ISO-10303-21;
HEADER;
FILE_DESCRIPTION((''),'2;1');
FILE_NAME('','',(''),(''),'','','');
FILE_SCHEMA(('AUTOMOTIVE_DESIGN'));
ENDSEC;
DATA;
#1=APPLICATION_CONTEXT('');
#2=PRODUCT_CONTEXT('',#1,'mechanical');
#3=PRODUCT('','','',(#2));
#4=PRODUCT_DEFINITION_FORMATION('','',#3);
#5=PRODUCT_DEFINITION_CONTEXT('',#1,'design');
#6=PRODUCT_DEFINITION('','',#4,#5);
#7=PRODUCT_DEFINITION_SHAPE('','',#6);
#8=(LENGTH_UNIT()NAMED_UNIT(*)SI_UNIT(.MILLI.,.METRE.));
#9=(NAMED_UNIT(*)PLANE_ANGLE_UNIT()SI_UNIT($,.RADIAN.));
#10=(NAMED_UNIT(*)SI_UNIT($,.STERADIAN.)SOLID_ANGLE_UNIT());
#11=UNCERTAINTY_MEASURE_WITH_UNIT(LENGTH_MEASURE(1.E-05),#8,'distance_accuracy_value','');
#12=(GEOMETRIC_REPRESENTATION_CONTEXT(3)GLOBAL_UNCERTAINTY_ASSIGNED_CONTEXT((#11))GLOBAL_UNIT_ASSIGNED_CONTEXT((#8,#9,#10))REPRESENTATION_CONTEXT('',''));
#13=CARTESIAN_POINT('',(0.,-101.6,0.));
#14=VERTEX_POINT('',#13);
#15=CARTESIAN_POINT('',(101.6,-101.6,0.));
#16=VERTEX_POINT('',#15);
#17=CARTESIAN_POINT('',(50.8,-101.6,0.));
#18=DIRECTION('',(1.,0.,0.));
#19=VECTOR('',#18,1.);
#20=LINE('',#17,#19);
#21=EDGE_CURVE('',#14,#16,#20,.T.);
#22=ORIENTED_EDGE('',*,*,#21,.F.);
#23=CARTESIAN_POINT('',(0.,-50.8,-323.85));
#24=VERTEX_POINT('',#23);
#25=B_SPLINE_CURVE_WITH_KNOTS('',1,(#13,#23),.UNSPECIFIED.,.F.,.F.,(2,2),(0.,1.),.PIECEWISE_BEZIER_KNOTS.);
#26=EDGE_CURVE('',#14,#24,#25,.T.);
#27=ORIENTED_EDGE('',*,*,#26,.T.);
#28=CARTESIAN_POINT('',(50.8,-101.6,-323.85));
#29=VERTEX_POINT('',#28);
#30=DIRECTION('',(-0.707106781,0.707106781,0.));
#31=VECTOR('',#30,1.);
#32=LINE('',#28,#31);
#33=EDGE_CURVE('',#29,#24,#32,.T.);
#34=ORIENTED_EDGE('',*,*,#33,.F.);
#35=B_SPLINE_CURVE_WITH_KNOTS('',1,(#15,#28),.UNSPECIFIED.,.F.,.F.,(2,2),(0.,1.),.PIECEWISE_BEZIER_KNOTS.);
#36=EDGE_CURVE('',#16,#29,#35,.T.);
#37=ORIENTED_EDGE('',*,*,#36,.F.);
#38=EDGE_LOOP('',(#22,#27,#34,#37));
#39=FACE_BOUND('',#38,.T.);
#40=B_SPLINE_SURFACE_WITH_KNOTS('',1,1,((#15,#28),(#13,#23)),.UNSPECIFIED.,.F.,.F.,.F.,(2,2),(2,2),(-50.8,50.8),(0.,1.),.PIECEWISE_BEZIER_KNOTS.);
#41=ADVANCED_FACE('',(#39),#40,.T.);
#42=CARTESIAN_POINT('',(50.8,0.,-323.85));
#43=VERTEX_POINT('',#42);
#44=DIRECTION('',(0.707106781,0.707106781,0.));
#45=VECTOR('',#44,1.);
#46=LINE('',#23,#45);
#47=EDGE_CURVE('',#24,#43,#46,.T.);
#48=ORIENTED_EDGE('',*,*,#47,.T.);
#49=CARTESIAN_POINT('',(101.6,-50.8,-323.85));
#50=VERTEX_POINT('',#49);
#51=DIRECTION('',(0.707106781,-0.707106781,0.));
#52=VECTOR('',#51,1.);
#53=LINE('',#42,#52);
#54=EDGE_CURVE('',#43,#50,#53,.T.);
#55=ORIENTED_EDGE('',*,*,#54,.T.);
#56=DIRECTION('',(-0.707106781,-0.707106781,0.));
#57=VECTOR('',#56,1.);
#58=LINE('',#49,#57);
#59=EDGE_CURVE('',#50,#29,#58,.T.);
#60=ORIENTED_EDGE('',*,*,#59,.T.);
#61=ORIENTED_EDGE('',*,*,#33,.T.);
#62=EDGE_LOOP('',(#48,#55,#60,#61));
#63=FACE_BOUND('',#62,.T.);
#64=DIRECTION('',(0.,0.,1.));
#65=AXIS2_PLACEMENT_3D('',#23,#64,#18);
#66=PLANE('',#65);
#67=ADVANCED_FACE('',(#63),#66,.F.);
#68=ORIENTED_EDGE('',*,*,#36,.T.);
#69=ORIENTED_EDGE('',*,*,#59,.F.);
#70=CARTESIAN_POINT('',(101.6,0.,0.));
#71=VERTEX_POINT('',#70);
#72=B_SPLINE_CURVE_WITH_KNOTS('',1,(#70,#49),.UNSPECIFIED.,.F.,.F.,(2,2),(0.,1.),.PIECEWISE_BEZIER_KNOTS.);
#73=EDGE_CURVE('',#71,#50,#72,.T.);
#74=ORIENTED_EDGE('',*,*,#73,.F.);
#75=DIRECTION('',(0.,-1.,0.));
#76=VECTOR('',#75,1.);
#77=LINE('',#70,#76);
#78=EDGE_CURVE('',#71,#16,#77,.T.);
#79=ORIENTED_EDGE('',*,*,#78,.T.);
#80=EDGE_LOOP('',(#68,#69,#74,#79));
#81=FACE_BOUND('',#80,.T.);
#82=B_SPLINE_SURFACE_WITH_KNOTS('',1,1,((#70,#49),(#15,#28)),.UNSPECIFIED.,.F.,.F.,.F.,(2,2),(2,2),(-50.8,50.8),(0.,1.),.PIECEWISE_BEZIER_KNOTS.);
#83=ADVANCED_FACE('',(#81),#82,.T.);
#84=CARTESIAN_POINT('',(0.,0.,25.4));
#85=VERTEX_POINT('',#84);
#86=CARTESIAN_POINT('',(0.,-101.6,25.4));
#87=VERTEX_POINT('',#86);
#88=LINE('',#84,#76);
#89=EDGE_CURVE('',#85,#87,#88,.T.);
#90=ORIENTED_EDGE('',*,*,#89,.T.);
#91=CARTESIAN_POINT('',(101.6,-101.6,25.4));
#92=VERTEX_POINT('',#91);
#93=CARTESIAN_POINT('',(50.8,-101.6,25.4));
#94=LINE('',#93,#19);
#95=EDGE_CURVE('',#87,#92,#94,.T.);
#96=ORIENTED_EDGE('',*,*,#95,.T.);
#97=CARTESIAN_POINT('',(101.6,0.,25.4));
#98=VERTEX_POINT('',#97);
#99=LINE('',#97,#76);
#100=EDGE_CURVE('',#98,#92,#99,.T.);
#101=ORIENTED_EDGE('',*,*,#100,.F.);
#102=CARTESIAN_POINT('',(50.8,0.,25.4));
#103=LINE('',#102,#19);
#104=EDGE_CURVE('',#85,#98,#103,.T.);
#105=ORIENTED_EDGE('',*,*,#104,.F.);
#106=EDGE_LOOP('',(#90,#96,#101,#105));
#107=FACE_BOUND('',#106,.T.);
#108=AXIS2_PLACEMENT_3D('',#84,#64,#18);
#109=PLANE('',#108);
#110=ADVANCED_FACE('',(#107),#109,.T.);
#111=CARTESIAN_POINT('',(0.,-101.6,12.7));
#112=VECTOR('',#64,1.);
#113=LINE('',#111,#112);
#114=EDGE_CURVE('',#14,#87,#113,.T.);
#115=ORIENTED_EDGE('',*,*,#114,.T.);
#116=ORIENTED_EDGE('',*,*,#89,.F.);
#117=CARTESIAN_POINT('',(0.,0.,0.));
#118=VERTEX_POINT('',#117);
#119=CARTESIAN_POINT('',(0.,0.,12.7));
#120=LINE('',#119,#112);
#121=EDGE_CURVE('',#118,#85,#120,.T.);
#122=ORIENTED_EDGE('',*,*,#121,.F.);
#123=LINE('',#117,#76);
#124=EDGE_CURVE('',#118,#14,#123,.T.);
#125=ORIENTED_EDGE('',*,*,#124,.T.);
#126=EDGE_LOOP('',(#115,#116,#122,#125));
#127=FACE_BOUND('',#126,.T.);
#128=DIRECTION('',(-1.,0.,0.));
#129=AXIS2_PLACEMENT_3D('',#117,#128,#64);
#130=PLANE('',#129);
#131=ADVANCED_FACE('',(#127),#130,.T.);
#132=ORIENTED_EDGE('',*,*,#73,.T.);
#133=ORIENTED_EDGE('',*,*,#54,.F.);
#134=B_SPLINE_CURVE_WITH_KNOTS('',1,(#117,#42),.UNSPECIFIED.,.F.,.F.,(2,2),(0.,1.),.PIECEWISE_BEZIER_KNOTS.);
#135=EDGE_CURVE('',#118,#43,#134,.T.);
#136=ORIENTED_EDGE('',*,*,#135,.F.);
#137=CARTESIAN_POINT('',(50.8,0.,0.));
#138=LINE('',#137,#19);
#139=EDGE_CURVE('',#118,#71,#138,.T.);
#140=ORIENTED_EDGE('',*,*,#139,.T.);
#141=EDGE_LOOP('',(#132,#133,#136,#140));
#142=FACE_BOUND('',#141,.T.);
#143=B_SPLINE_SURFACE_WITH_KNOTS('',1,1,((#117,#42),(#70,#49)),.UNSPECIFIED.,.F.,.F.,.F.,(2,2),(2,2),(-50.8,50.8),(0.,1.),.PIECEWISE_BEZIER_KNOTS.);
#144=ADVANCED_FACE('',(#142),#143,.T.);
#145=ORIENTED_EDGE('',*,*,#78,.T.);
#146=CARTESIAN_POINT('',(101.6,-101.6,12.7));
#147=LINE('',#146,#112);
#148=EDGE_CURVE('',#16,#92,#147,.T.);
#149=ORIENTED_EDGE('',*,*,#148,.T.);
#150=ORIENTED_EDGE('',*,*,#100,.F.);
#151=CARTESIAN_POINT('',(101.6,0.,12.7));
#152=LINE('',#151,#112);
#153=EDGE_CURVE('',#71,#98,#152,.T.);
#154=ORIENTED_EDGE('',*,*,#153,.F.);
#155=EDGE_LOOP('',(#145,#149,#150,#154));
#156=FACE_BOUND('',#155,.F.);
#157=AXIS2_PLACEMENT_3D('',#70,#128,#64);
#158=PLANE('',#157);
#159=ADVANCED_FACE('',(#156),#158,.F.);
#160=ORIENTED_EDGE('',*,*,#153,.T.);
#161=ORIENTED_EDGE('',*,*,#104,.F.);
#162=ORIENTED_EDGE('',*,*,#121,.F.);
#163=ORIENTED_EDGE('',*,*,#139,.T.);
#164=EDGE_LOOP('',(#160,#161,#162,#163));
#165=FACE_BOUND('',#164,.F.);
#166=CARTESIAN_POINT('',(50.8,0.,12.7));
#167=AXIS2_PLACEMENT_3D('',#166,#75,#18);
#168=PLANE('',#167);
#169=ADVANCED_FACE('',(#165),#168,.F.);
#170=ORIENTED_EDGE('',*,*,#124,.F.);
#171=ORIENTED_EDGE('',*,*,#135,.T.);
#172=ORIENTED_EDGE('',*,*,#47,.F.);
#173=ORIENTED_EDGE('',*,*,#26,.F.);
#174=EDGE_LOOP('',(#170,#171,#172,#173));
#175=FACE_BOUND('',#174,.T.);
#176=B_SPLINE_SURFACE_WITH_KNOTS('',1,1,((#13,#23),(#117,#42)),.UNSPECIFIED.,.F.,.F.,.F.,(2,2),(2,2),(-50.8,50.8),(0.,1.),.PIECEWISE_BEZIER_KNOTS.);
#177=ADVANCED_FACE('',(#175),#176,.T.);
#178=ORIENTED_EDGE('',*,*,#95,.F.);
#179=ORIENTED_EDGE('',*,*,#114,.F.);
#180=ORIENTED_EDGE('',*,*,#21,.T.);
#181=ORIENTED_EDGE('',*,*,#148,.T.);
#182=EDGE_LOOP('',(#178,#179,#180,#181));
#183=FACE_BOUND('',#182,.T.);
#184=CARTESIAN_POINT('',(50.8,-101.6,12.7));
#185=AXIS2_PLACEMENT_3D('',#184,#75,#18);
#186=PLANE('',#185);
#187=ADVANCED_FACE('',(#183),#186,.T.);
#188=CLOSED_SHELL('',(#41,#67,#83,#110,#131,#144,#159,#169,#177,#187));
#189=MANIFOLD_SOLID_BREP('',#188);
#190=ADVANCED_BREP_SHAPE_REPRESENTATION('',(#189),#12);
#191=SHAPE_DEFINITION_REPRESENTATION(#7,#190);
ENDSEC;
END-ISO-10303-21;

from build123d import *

# Parameters (mm, degrees)
F0_W      = 101.6
F0_H      = 25.4
F1_DEPTH  = 101.6
F1_FACE_W = 101.6
F1_FACE_H = 101.6


with BuildPart() as f1:
    # F0 (on Front) → F1 (new body)
    with BuildSketch(Plane.XZ):
        with Locations((50.8, 12.7)):
            Rectangle(F0_W, F0_H)
    extrude(amount=F1_DEPTH)

    # F1_face (on face) → F4 section 0
    with BuildSketch(Plane(origin=(50.8, -50.8, 0), x_dir=(1, 0, 0), z_dir=(0, 0, -1))):
        Rectangle(F1_FACE_W, F1_FACE_H)
    # F3 (on offset) → F4 section 1
    with BuildSketch(Plane(origin=(0, 0, -323.85), x_dir=(1, 0, 0), z_dir=(0, 0, -1))):
        Polygon((0, 50.8), (50.8, 0), (101.6, 50.8), (50.8, 101.6), align=None)
    loft()


solid = f1.part
